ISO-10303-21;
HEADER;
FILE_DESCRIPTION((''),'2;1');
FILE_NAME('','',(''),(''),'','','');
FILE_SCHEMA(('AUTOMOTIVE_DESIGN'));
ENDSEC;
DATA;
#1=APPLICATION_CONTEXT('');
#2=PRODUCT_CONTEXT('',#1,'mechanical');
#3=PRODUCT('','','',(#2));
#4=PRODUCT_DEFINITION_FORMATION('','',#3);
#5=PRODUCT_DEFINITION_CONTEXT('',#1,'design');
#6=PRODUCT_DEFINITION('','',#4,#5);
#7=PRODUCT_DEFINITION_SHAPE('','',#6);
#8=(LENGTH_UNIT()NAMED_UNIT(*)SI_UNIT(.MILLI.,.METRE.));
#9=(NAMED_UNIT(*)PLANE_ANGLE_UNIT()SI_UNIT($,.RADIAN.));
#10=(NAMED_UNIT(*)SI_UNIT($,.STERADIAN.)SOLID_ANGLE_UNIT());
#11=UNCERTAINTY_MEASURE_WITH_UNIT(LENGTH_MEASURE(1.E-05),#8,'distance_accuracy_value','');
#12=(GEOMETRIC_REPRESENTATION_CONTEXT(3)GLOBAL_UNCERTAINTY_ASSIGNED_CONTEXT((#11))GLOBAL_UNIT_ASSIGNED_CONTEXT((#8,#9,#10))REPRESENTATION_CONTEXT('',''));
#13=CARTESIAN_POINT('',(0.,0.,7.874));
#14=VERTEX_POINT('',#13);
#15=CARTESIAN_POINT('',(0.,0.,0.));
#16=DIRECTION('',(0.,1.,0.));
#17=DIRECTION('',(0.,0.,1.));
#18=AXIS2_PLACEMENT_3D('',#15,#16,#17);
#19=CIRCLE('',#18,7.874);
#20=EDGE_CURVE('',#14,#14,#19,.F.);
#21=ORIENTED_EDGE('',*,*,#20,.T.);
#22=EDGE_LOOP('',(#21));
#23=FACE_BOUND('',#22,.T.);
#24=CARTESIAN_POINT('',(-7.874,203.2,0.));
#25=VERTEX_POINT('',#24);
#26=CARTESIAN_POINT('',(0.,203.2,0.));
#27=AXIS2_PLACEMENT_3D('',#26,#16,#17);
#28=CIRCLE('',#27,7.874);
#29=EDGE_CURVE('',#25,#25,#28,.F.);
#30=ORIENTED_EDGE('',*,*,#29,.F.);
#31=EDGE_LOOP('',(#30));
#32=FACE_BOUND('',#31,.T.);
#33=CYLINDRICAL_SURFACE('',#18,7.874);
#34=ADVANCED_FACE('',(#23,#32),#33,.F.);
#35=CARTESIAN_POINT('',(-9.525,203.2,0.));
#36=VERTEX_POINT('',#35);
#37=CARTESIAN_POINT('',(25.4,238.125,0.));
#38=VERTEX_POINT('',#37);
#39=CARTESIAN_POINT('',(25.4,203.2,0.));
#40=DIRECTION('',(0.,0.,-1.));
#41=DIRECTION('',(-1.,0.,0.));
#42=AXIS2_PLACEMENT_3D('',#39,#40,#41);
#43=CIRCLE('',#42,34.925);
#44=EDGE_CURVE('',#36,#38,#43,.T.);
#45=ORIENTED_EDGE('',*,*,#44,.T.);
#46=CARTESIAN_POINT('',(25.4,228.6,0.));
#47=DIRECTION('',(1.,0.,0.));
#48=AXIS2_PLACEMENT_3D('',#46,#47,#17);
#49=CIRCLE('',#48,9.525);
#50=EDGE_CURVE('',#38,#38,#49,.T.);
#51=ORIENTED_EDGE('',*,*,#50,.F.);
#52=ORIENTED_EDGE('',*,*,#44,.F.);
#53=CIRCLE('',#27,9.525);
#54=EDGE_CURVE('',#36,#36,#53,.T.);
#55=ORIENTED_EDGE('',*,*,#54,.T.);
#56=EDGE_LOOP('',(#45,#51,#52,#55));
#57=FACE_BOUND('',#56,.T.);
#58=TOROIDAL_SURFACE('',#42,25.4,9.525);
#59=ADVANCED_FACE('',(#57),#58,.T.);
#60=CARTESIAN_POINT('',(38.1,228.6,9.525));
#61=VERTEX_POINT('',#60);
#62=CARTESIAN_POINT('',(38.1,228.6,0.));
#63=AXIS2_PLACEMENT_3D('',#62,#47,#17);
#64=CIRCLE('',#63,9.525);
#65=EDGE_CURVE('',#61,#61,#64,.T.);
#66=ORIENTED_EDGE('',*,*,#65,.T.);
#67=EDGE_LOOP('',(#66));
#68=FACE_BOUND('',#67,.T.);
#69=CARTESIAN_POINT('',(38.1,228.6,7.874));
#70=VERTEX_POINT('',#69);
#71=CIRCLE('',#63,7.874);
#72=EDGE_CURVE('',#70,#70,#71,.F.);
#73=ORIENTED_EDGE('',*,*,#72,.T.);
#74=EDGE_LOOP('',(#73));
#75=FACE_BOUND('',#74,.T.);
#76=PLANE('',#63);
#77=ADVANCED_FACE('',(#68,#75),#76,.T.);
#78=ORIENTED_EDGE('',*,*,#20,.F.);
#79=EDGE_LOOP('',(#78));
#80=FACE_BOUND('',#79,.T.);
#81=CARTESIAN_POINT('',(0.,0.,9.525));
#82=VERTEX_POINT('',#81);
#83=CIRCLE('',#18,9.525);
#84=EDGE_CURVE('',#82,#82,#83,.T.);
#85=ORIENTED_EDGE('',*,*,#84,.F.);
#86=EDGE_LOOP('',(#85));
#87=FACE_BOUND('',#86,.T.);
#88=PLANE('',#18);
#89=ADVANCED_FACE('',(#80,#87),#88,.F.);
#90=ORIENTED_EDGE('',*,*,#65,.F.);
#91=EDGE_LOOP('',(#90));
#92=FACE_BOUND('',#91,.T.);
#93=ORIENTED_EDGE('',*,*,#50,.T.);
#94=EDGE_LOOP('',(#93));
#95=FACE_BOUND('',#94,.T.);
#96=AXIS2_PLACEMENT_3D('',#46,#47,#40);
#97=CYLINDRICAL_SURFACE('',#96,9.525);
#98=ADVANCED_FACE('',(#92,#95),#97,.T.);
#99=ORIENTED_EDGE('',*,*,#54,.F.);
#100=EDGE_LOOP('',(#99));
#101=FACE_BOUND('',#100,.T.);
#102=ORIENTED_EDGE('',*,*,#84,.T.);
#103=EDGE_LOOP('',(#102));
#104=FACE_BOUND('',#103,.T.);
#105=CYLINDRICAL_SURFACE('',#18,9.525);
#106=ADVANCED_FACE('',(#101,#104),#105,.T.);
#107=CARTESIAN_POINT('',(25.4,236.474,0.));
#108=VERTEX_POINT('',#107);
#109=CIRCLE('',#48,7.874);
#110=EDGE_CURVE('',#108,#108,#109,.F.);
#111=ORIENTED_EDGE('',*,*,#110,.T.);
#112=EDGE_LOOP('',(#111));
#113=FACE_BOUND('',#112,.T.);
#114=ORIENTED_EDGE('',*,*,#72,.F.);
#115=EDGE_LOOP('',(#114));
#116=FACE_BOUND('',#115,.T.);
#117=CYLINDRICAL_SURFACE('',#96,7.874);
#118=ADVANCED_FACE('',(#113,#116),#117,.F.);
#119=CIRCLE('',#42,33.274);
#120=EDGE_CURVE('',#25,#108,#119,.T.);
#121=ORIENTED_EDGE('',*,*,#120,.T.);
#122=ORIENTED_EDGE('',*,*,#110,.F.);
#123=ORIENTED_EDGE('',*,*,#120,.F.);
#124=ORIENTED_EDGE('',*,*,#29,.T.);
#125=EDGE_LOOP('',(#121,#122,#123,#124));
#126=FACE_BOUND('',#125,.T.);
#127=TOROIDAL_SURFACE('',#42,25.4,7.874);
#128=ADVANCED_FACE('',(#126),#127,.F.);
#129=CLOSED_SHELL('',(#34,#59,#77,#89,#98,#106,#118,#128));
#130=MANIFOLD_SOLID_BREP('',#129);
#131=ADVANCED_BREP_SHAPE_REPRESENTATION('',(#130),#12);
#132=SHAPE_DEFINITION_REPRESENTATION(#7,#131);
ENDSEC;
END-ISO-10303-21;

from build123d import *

# Parameters (mm, degrees)
SKETCH1_R   = 9.525
SKETCH1_R_2 = 7.874


with BuildPart() as part:
    # Sweep1: sweep along a path in Sketch2
    with BuildLine(Plane.XY) as sweep1_path:
        Line((0, 0), (0, 203.2))
        ThreePointArc((0, 203.2), (7.439487758, 221.160512242), (25.4, 228.6))
        Line((25.4, 228.6), (38.1, 228.6))
    # Sketch1 → Sweep1 (sweep)
    with BuildSketch(Plane(origin=(0, 0, 0), x_dir=(1, 0, 0), z_dir=(0, 1, 0))):
        Circle(SKETCH1_R)
        Circle(SKETCH1_R_2, mode=Mode.SUBTRACT)
    sweep(path=sweep1_path.line)


solid = part.part
